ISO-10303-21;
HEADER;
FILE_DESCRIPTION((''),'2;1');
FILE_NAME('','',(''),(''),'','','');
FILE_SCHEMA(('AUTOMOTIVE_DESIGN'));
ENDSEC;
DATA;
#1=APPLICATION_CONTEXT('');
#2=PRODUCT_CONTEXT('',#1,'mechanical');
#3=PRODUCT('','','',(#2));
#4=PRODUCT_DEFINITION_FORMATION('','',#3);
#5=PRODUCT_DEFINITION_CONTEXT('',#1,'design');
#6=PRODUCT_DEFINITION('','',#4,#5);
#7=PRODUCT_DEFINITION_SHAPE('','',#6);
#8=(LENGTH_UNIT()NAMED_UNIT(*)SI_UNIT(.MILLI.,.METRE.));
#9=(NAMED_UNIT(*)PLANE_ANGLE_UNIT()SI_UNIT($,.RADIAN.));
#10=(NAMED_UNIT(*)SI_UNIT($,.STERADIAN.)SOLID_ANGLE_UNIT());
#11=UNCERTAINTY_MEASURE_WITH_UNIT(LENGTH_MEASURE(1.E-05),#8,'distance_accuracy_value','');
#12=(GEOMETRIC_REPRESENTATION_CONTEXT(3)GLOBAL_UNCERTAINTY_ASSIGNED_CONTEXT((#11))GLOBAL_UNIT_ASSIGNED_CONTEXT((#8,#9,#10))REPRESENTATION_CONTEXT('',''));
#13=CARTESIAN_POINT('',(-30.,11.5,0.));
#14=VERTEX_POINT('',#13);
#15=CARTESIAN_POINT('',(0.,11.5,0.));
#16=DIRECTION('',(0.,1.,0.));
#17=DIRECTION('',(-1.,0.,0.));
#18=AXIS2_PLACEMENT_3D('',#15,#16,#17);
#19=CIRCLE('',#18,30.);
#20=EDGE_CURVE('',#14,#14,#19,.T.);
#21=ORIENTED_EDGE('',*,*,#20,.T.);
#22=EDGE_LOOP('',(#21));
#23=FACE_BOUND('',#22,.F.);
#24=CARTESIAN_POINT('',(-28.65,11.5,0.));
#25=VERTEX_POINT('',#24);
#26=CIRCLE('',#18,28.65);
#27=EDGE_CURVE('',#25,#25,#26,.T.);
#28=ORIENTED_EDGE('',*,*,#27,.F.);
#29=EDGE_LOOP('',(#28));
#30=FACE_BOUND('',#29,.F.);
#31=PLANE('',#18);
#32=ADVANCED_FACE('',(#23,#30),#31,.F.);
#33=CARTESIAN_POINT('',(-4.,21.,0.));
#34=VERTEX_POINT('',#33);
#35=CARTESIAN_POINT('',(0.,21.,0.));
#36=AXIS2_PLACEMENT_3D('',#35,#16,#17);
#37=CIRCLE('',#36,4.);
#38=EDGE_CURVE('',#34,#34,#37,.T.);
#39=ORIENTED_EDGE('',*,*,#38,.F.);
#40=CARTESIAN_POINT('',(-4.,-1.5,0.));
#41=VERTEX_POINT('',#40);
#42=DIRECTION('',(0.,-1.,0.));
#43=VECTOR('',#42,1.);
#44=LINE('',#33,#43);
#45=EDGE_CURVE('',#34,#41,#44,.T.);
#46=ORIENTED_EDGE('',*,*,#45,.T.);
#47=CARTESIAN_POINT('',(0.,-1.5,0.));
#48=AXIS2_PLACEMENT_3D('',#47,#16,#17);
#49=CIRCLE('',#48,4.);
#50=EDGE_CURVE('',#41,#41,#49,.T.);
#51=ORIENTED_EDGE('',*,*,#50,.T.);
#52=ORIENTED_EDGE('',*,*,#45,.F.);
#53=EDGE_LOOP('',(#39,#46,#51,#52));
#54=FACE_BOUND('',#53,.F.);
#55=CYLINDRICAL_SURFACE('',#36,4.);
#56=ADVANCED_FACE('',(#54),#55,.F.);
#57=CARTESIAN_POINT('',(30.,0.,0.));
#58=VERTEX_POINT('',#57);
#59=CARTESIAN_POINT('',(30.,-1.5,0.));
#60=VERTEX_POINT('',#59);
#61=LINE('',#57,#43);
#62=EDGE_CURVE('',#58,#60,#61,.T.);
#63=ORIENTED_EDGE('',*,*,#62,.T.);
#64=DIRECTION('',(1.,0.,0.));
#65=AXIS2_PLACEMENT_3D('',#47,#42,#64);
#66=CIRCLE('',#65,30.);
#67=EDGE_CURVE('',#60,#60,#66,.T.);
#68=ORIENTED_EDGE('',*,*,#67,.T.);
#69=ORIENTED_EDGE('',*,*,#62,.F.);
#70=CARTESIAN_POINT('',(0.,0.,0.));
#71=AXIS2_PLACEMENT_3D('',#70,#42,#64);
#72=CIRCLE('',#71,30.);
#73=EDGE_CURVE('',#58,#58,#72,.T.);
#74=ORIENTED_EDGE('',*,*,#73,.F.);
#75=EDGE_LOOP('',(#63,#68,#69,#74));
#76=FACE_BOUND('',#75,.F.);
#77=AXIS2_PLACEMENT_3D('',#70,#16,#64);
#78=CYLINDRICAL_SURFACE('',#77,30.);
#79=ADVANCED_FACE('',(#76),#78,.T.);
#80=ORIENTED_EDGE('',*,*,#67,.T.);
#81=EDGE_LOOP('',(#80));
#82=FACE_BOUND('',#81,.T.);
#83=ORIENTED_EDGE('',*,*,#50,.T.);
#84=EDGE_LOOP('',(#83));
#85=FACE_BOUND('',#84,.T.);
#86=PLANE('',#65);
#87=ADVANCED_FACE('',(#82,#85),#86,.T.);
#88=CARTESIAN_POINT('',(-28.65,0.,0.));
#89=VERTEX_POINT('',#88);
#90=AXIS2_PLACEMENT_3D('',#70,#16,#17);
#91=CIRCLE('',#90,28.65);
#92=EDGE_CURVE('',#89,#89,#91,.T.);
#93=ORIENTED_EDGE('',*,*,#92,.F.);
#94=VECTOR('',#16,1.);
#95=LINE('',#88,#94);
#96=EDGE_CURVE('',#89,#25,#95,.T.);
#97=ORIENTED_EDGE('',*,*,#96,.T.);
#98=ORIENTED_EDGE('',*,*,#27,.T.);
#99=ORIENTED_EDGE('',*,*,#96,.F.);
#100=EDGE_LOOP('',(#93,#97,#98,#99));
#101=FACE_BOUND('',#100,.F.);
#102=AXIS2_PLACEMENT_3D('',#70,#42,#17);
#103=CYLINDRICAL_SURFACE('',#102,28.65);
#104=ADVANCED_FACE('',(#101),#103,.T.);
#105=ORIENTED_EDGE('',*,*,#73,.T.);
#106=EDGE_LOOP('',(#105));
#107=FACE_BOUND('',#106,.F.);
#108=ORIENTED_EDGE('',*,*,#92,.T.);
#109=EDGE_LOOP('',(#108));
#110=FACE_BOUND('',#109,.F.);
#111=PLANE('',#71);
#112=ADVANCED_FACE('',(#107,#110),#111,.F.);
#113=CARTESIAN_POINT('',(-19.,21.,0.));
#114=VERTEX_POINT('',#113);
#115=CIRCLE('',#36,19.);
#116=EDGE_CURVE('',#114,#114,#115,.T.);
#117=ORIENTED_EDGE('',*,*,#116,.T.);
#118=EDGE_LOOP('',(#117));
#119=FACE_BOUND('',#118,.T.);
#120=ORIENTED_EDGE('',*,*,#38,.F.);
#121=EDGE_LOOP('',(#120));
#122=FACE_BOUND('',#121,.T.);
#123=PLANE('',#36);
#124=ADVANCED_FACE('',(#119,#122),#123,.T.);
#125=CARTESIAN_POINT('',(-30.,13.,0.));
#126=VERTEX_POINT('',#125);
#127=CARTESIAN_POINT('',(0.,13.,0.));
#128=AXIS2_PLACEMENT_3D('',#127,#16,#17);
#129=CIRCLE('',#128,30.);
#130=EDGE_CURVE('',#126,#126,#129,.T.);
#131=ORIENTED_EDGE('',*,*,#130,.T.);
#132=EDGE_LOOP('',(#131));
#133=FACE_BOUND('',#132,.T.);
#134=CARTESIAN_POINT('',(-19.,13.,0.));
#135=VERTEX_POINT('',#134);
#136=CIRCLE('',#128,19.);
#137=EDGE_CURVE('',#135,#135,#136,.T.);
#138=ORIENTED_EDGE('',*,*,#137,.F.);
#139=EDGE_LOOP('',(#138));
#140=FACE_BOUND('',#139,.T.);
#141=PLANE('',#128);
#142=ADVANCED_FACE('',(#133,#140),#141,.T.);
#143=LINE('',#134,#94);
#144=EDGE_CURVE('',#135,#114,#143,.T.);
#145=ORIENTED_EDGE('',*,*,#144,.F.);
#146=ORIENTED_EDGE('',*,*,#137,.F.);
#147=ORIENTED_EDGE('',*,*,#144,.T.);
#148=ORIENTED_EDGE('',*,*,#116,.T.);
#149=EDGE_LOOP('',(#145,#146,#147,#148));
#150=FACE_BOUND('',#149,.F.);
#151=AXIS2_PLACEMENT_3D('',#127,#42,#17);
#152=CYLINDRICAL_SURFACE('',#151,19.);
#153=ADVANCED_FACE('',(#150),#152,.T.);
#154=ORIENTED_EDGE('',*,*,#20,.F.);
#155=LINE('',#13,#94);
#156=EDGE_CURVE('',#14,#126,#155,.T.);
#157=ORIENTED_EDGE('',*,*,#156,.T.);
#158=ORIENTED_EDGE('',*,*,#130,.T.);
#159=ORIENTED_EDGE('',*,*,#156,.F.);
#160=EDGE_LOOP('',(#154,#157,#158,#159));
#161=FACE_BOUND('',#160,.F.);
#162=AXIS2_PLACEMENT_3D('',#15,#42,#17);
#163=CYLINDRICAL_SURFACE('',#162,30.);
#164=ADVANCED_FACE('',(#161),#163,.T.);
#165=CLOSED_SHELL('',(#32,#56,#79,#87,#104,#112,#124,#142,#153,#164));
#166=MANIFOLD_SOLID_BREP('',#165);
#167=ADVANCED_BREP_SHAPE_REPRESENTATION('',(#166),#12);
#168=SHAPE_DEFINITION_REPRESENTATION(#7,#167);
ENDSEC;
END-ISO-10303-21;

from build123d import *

# Parameters (mm, degrees)
F0_R     = 30
F1_DEPTH = 1.5
F2_R     = 28.65
F3_DEPTH = 11.5
F4_R     = 30
F5_DEPTH = 1.5
F6_R     = 19
F7_DEPTH = 8
F8_R     = 4
F9_DEPTH = 22.501


with BuildPart() as f1:
    # F0 (on Front) → F1 (new body)
    with BuildSketch(Plane.XZ):
        Circle(F0_R)
    extrude(amount=F1_DEPTH)

    # F2 (on face) → F3 (join)
    with BuildSketch(Plane(origin=(0, 0, 0), x_dir=(-1, 0, 0), z_dir=(0, 1, 0))):
        Circle(F2_R)
    extrude(amount=F3_DEPTH)

    # F4 (on face) → F5 (join)
    with BuildSketch(Plane(origin=(0, 11.5, 0), x_dir=(-1, 0, 0), z_dir=(0, 1, 0))):
        Circle(F4_R)
    extrude(amount=F5_DEPTH)

    # F6 (on face) → F7 (join)
    with BuildSketch(Plane(origin=(0, 13, 0), x_dir=(-1, 0, 0), z_dir=(0, 1, 0))):
        Circle(F6_R)
    extrude(amount=F7_DEPTH)

    # F8 (on face) → F9 (cut, through all)
    with BuildSketch(Plane(origin=(0, 21, 0), x_dir=(-1, 0, 0), z_dir=(0, 1, 0))):
        Circle(F8_R)
    extrude(amount=-F9_DEPTH, mode=Mode.SUBTRACT)


solid = f1.part
